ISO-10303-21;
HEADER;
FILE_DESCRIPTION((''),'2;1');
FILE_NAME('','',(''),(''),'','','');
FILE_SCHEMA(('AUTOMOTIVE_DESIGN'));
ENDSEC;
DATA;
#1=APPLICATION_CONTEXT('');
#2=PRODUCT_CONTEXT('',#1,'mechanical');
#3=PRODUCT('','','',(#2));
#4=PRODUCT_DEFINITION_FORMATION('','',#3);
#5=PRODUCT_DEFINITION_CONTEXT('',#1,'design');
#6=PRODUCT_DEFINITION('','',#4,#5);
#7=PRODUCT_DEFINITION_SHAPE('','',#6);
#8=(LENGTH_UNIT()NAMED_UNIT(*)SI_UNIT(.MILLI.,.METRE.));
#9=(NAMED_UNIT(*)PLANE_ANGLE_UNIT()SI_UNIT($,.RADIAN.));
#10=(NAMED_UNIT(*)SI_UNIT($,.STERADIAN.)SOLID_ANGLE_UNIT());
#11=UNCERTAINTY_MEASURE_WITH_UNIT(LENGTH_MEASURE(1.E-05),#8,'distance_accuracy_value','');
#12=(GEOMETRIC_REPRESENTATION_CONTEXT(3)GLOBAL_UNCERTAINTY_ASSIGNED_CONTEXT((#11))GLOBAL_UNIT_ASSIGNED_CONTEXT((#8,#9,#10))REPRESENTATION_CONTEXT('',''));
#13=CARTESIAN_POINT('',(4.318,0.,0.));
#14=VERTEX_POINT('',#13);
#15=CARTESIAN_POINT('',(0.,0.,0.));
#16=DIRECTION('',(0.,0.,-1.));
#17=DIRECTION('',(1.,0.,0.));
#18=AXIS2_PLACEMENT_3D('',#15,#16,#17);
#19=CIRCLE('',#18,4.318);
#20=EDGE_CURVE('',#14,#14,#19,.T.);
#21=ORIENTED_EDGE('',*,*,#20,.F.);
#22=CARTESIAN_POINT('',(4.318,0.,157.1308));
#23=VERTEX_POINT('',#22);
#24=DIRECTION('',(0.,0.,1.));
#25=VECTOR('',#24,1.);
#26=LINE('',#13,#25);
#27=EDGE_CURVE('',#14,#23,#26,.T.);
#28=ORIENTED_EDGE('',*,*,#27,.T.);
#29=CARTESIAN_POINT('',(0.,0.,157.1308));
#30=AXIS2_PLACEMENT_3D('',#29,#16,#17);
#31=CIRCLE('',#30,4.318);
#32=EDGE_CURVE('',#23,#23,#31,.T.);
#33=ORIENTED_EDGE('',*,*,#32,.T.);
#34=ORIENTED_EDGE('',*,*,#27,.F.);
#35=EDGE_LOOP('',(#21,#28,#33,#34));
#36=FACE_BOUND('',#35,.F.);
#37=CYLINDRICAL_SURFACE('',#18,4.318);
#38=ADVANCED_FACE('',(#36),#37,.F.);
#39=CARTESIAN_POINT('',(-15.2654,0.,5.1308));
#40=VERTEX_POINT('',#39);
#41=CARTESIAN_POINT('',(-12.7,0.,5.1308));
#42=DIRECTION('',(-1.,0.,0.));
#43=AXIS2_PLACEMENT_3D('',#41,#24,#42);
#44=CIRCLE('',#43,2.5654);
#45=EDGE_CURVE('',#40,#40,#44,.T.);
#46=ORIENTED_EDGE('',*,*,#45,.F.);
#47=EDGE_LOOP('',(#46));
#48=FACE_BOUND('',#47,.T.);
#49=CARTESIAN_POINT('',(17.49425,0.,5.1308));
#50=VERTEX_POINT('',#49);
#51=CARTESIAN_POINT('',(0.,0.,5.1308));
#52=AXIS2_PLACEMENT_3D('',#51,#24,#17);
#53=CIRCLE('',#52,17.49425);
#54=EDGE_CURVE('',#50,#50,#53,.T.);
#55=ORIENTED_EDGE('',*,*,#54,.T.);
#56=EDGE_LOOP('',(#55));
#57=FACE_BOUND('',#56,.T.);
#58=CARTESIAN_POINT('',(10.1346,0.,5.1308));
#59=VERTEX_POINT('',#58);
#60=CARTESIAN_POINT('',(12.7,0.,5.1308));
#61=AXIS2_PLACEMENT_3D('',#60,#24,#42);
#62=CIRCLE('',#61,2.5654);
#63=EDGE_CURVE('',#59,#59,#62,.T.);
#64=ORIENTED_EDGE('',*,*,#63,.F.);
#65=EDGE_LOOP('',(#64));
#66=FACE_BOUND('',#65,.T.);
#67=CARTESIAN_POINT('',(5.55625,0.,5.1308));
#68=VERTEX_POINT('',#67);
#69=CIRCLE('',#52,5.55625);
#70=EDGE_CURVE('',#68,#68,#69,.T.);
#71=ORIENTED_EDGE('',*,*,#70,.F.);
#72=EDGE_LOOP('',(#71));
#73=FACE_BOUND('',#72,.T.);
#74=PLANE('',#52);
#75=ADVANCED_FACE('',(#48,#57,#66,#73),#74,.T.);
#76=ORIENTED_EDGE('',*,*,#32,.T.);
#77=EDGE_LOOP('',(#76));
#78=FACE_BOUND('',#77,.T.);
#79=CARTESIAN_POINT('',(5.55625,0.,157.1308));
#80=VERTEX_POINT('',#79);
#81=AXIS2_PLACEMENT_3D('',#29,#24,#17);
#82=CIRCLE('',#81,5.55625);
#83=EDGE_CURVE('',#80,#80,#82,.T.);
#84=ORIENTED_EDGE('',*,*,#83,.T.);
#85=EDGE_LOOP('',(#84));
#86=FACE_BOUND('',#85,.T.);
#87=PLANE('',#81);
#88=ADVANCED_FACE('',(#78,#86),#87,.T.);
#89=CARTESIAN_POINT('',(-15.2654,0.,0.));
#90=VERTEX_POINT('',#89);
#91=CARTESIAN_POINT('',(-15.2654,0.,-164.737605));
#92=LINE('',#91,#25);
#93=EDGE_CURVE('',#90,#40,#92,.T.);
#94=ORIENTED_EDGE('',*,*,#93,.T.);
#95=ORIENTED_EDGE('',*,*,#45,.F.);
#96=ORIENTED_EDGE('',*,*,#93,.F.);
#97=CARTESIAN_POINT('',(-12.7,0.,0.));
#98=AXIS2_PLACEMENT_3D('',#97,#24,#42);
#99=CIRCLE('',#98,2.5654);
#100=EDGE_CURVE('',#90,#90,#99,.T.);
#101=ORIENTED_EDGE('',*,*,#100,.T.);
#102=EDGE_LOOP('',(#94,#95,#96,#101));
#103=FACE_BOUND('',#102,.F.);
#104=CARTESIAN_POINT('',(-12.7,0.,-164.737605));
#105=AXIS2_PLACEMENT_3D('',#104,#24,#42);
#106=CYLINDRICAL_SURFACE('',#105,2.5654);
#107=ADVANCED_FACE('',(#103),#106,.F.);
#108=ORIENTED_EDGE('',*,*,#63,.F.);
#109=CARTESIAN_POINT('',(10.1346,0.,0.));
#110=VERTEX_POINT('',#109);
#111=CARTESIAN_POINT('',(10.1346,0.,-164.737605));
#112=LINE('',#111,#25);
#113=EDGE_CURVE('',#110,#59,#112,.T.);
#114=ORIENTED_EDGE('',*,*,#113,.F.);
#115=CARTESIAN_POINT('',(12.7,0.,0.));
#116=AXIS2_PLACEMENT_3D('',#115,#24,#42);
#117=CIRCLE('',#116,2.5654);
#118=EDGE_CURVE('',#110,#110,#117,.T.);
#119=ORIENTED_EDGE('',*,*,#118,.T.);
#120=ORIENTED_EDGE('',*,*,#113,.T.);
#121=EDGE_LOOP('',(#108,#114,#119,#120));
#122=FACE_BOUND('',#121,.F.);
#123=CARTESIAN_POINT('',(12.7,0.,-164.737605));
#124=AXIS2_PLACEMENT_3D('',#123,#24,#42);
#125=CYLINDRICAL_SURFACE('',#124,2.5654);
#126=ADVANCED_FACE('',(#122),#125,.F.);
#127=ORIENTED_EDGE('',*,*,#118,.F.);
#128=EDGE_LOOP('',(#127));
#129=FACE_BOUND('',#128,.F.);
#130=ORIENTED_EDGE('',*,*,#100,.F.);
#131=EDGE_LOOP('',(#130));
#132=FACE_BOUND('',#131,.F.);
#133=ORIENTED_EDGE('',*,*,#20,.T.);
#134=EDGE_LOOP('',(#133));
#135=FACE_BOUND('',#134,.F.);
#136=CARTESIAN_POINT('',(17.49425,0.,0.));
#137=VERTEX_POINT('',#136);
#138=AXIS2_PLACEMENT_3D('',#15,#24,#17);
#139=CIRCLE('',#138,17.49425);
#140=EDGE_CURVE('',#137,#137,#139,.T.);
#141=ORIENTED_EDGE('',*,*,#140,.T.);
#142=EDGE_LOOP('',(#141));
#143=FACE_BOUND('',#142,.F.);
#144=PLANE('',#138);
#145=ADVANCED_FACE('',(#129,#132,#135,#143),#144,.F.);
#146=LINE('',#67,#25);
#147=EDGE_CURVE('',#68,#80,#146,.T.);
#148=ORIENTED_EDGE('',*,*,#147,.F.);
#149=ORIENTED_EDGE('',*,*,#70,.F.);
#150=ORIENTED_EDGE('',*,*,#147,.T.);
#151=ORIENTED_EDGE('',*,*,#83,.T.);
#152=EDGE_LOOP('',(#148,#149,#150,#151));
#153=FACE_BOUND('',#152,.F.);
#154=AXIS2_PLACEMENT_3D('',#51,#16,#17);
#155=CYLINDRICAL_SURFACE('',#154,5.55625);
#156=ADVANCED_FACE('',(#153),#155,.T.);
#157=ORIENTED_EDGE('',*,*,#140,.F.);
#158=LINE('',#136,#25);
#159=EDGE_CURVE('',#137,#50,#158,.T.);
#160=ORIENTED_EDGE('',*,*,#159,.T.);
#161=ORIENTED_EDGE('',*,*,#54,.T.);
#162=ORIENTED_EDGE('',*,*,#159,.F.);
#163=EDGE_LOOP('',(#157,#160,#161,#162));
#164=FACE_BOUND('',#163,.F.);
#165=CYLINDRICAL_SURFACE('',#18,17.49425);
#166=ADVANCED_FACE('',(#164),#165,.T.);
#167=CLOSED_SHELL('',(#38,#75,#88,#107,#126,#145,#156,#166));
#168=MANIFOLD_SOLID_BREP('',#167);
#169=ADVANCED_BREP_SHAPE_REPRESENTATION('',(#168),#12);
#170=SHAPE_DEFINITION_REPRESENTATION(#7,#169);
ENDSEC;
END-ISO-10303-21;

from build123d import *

# Parameters (mm, degrees)
F0_R     = 17.49425
F1_DEPTH = 5.1308
F2_R     = 5.55625
F3_DEPTH = 152
F4_R     = 4.318
F5_DEPTH = 157.1318
F7_D     = 5.1308


with BuildPart() as f1:
    # F0 (on Top) → F1 (new body)
    with BuildSketch(Plane.XY):
        Circle(F0_R)
    extrude(amount=F1_DEPTH)

    # F2 (on face) → F3 (join)
    with BuildSketch(Plane.XY.offset(5.1308)):
        Circle(F2_R)
    extrude(amount=F3_DEPTH)

    # F4 (on face) → F5 (cut, through all)
    with BuildSketch(Plane(origin=(0, 0, 0), x_dir=(1, 0, 0), z_dir=(0, 0, -1))):
        Circle(F4_R)
    extrude(amount=-F5_DEPTH, mode=Mode.SUBTRACT)

    # F7 (through all)
    with Locations(Plane(origin=(0, 0, 0), x_dir=(1, 0, 0), z_dir=(0, 0, -1))):
        with Locations((-12.7, 0), (12.7, 0)):
            Hole(F7_D / 2)


solid = f1.part
